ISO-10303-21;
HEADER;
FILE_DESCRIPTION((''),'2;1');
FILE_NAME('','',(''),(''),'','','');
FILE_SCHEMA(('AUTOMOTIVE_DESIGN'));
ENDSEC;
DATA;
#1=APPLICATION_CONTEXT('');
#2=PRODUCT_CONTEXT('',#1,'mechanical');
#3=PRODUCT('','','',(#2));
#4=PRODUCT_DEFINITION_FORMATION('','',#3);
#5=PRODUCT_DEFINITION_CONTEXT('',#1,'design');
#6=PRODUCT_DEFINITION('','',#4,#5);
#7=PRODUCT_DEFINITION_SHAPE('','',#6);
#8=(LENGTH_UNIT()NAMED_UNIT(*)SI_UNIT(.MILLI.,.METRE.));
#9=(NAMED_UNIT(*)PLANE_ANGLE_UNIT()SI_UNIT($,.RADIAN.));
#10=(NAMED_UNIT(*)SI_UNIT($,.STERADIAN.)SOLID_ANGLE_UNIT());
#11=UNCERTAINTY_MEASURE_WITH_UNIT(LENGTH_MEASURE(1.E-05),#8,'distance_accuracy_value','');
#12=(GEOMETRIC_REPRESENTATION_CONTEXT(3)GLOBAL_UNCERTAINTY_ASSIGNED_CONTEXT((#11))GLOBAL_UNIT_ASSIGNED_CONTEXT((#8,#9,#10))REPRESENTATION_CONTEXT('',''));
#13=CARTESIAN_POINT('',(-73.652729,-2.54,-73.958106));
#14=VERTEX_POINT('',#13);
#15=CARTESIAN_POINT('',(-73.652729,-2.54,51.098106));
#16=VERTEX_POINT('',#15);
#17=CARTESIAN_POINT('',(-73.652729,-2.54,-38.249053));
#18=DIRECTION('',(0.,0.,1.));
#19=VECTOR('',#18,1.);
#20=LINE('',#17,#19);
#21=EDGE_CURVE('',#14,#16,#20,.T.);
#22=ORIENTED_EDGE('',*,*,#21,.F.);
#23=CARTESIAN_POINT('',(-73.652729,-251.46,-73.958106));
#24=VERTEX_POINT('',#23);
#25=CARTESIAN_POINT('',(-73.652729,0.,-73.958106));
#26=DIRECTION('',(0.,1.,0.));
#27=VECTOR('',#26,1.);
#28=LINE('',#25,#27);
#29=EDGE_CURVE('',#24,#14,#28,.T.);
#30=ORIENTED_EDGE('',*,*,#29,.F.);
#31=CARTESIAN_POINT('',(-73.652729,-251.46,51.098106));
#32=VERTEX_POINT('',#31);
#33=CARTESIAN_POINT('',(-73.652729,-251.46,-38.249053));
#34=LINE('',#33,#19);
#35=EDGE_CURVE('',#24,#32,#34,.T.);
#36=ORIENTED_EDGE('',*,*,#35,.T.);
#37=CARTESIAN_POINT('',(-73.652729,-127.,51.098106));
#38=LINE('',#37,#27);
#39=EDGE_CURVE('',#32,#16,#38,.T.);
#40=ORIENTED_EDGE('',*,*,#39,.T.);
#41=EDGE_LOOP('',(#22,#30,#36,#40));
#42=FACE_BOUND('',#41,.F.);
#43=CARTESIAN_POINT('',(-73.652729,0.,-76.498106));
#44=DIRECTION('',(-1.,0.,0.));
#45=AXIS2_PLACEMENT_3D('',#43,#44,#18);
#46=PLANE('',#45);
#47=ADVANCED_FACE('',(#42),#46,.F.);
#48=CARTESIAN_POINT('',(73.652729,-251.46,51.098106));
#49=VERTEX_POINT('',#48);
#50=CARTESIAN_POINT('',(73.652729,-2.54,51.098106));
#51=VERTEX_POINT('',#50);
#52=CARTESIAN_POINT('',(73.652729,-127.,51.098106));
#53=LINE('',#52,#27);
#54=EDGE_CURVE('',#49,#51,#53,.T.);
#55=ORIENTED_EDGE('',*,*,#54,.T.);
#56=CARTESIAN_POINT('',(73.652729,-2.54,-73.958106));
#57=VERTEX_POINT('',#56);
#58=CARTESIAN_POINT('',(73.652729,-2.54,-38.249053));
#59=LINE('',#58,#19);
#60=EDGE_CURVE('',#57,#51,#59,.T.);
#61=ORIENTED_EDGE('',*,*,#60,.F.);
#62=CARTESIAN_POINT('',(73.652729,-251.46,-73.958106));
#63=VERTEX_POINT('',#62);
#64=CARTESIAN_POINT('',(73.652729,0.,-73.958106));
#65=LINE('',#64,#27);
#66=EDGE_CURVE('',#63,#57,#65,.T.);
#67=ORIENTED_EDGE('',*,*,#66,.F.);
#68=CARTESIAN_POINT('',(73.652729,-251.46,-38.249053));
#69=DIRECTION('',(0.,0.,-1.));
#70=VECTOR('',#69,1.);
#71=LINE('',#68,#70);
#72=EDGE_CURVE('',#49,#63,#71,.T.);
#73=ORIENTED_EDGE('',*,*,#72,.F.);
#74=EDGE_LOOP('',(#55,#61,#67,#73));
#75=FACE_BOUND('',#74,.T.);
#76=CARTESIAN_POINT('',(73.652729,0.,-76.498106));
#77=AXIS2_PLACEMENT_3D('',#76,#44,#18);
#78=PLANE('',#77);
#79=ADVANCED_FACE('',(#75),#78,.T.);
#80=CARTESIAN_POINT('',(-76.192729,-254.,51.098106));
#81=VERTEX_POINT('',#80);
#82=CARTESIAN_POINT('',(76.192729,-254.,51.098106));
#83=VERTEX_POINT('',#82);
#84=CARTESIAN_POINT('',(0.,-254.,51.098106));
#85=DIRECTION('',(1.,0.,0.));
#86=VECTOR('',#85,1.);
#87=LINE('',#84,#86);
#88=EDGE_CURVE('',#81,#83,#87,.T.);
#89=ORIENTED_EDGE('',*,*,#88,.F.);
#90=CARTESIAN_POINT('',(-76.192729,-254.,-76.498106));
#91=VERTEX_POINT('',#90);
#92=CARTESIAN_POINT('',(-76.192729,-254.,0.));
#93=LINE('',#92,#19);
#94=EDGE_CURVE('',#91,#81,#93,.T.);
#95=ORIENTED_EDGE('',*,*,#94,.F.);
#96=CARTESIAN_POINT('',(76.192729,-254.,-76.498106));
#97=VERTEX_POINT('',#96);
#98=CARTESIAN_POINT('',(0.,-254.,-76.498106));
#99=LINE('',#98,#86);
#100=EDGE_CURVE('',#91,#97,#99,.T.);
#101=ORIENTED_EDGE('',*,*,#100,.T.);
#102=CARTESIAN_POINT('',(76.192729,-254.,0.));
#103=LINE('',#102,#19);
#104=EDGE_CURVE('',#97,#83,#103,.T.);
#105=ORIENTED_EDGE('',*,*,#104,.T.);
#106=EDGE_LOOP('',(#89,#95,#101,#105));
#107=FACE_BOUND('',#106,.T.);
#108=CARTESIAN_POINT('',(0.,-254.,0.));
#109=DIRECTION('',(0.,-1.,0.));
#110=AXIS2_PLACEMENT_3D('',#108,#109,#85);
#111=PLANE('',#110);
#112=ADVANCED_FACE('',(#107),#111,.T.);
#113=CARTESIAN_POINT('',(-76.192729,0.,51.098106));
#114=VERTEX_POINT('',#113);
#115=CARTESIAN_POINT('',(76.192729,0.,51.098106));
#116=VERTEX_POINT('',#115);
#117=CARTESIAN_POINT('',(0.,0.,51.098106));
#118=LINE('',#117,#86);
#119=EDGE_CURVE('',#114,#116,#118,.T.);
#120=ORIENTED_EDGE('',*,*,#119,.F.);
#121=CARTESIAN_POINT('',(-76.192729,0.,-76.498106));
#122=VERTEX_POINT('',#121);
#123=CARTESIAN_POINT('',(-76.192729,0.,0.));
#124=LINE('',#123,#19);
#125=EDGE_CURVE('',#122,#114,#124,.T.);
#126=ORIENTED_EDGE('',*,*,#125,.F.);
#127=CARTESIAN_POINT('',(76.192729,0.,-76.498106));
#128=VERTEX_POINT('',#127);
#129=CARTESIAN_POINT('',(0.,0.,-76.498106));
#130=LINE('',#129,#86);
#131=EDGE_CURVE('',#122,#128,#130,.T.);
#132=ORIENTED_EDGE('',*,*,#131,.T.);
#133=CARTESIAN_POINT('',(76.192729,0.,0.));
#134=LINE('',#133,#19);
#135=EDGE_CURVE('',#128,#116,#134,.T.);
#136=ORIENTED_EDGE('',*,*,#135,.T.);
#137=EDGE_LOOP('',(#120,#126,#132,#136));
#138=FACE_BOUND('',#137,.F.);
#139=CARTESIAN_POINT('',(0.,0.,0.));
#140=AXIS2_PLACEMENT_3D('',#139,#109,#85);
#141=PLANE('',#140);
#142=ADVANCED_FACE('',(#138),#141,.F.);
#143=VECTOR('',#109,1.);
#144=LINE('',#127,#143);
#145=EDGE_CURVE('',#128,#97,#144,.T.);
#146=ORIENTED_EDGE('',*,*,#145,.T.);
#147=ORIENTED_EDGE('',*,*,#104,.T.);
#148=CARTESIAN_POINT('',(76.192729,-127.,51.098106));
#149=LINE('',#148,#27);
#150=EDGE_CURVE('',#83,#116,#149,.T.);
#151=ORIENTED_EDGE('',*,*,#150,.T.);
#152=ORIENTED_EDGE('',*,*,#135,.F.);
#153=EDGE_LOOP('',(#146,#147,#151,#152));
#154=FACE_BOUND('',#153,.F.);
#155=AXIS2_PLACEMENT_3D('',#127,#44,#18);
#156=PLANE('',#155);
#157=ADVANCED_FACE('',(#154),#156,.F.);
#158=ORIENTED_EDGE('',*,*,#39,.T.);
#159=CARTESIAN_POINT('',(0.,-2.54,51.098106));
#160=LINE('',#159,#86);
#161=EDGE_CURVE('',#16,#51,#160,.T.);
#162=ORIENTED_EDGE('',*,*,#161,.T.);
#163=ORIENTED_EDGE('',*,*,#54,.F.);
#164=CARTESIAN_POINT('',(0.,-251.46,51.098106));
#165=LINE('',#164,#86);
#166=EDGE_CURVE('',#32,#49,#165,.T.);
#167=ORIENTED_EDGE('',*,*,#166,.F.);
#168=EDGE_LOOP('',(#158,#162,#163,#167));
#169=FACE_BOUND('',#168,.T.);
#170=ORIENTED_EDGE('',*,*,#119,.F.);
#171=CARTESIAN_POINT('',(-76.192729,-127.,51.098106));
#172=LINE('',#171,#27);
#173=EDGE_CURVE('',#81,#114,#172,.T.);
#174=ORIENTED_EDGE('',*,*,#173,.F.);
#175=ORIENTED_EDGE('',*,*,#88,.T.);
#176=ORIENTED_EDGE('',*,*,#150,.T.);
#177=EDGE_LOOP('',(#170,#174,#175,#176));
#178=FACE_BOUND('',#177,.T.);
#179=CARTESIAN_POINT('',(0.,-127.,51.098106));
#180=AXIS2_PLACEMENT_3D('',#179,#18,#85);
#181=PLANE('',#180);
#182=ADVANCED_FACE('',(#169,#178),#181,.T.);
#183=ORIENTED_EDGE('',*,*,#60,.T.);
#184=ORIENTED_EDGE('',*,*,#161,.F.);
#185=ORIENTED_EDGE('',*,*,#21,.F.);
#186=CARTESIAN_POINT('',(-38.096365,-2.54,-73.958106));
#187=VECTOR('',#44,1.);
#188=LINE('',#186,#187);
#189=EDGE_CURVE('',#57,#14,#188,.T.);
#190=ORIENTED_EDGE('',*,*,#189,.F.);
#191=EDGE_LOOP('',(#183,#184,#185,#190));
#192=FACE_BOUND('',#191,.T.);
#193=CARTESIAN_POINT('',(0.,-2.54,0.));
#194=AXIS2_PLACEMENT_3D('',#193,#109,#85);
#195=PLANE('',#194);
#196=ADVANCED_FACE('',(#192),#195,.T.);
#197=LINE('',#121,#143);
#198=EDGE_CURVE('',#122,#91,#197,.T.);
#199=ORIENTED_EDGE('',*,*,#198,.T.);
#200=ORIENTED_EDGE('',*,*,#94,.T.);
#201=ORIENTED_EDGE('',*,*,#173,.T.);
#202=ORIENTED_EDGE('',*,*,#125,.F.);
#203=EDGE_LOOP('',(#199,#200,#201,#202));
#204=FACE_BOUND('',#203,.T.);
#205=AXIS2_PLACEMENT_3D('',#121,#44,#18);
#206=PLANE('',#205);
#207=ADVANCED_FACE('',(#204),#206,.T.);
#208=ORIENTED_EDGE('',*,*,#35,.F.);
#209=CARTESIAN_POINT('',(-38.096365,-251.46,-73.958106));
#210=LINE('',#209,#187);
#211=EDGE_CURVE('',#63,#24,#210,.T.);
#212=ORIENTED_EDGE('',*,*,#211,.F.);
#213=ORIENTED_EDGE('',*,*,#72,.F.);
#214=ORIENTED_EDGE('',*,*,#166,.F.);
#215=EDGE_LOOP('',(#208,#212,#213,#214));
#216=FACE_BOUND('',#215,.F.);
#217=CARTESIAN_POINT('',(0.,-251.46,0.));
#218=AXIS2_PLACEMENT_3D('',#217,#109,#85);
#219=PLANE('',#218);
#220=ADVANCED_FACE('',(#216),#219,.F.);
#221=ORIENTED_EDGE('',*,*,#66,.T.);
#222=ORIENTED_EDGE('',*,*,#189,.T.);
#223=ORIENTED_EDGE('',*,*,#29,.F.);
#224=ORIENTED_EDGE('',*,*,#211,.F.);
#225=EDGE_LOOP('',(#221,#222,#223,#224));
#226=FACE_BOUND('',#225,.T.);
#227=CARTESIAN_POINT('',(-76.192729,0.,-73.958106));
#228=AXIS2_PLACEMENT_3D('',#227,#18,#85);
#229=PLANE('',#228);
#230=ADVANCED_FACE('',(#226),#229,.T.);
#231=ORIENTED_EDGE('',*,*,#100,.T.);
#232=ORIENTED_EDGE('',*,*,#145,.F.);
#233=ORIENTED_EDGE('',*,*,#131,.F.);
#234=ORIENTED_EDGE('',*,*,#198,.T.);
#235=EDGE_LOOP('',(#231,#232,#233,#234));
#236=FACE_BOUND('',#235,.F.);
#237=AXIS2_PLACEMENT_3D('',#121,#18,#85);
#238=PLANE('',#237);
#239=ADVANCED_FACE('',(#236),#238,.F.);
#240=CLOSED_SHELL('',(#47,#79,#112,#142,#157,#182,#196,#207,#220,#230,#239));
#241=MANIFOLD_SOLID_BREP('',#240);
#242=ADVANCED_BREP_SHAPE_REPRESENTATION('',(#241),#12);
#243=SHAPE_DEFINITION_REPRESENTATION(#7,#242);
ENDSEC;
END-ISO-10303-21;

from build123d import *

# Parameters (mm, degrees)
F0_W     = 152.3854583502
F0_H     = 152.996212244
F1_DEPTH = 254
F2_W     = 152.3854583502
F2_H     = 254
F3_DEPTH = 25.4
F4_T     = -2.54


with BuildPart() as f1:
    # F0 (on Front) → F1 (new body)
    with BuildSketch(Plane.XZ):
        Rectangle(F0_W, F0_H)
    extrude(amount=F1_DEPTH)

    # F2 (on face) → F3 (cut)
    with BuildSketch(Plane.XY.offset(76.498106122)):
        with Locations((0, -127)):
            Rectangle(F2_W, F2_H)
    extrude(amount=-F3_DEPTH, mode=Mode.SUBTRACT)

    # F4
    f4_openings = [f1.faces().sort_by_distance(p)[0] for p in [
        (0, -127, 51.098106),
    ]]
    offset(amount=F4_T, openings=f4_openings)


solid = f1.part
